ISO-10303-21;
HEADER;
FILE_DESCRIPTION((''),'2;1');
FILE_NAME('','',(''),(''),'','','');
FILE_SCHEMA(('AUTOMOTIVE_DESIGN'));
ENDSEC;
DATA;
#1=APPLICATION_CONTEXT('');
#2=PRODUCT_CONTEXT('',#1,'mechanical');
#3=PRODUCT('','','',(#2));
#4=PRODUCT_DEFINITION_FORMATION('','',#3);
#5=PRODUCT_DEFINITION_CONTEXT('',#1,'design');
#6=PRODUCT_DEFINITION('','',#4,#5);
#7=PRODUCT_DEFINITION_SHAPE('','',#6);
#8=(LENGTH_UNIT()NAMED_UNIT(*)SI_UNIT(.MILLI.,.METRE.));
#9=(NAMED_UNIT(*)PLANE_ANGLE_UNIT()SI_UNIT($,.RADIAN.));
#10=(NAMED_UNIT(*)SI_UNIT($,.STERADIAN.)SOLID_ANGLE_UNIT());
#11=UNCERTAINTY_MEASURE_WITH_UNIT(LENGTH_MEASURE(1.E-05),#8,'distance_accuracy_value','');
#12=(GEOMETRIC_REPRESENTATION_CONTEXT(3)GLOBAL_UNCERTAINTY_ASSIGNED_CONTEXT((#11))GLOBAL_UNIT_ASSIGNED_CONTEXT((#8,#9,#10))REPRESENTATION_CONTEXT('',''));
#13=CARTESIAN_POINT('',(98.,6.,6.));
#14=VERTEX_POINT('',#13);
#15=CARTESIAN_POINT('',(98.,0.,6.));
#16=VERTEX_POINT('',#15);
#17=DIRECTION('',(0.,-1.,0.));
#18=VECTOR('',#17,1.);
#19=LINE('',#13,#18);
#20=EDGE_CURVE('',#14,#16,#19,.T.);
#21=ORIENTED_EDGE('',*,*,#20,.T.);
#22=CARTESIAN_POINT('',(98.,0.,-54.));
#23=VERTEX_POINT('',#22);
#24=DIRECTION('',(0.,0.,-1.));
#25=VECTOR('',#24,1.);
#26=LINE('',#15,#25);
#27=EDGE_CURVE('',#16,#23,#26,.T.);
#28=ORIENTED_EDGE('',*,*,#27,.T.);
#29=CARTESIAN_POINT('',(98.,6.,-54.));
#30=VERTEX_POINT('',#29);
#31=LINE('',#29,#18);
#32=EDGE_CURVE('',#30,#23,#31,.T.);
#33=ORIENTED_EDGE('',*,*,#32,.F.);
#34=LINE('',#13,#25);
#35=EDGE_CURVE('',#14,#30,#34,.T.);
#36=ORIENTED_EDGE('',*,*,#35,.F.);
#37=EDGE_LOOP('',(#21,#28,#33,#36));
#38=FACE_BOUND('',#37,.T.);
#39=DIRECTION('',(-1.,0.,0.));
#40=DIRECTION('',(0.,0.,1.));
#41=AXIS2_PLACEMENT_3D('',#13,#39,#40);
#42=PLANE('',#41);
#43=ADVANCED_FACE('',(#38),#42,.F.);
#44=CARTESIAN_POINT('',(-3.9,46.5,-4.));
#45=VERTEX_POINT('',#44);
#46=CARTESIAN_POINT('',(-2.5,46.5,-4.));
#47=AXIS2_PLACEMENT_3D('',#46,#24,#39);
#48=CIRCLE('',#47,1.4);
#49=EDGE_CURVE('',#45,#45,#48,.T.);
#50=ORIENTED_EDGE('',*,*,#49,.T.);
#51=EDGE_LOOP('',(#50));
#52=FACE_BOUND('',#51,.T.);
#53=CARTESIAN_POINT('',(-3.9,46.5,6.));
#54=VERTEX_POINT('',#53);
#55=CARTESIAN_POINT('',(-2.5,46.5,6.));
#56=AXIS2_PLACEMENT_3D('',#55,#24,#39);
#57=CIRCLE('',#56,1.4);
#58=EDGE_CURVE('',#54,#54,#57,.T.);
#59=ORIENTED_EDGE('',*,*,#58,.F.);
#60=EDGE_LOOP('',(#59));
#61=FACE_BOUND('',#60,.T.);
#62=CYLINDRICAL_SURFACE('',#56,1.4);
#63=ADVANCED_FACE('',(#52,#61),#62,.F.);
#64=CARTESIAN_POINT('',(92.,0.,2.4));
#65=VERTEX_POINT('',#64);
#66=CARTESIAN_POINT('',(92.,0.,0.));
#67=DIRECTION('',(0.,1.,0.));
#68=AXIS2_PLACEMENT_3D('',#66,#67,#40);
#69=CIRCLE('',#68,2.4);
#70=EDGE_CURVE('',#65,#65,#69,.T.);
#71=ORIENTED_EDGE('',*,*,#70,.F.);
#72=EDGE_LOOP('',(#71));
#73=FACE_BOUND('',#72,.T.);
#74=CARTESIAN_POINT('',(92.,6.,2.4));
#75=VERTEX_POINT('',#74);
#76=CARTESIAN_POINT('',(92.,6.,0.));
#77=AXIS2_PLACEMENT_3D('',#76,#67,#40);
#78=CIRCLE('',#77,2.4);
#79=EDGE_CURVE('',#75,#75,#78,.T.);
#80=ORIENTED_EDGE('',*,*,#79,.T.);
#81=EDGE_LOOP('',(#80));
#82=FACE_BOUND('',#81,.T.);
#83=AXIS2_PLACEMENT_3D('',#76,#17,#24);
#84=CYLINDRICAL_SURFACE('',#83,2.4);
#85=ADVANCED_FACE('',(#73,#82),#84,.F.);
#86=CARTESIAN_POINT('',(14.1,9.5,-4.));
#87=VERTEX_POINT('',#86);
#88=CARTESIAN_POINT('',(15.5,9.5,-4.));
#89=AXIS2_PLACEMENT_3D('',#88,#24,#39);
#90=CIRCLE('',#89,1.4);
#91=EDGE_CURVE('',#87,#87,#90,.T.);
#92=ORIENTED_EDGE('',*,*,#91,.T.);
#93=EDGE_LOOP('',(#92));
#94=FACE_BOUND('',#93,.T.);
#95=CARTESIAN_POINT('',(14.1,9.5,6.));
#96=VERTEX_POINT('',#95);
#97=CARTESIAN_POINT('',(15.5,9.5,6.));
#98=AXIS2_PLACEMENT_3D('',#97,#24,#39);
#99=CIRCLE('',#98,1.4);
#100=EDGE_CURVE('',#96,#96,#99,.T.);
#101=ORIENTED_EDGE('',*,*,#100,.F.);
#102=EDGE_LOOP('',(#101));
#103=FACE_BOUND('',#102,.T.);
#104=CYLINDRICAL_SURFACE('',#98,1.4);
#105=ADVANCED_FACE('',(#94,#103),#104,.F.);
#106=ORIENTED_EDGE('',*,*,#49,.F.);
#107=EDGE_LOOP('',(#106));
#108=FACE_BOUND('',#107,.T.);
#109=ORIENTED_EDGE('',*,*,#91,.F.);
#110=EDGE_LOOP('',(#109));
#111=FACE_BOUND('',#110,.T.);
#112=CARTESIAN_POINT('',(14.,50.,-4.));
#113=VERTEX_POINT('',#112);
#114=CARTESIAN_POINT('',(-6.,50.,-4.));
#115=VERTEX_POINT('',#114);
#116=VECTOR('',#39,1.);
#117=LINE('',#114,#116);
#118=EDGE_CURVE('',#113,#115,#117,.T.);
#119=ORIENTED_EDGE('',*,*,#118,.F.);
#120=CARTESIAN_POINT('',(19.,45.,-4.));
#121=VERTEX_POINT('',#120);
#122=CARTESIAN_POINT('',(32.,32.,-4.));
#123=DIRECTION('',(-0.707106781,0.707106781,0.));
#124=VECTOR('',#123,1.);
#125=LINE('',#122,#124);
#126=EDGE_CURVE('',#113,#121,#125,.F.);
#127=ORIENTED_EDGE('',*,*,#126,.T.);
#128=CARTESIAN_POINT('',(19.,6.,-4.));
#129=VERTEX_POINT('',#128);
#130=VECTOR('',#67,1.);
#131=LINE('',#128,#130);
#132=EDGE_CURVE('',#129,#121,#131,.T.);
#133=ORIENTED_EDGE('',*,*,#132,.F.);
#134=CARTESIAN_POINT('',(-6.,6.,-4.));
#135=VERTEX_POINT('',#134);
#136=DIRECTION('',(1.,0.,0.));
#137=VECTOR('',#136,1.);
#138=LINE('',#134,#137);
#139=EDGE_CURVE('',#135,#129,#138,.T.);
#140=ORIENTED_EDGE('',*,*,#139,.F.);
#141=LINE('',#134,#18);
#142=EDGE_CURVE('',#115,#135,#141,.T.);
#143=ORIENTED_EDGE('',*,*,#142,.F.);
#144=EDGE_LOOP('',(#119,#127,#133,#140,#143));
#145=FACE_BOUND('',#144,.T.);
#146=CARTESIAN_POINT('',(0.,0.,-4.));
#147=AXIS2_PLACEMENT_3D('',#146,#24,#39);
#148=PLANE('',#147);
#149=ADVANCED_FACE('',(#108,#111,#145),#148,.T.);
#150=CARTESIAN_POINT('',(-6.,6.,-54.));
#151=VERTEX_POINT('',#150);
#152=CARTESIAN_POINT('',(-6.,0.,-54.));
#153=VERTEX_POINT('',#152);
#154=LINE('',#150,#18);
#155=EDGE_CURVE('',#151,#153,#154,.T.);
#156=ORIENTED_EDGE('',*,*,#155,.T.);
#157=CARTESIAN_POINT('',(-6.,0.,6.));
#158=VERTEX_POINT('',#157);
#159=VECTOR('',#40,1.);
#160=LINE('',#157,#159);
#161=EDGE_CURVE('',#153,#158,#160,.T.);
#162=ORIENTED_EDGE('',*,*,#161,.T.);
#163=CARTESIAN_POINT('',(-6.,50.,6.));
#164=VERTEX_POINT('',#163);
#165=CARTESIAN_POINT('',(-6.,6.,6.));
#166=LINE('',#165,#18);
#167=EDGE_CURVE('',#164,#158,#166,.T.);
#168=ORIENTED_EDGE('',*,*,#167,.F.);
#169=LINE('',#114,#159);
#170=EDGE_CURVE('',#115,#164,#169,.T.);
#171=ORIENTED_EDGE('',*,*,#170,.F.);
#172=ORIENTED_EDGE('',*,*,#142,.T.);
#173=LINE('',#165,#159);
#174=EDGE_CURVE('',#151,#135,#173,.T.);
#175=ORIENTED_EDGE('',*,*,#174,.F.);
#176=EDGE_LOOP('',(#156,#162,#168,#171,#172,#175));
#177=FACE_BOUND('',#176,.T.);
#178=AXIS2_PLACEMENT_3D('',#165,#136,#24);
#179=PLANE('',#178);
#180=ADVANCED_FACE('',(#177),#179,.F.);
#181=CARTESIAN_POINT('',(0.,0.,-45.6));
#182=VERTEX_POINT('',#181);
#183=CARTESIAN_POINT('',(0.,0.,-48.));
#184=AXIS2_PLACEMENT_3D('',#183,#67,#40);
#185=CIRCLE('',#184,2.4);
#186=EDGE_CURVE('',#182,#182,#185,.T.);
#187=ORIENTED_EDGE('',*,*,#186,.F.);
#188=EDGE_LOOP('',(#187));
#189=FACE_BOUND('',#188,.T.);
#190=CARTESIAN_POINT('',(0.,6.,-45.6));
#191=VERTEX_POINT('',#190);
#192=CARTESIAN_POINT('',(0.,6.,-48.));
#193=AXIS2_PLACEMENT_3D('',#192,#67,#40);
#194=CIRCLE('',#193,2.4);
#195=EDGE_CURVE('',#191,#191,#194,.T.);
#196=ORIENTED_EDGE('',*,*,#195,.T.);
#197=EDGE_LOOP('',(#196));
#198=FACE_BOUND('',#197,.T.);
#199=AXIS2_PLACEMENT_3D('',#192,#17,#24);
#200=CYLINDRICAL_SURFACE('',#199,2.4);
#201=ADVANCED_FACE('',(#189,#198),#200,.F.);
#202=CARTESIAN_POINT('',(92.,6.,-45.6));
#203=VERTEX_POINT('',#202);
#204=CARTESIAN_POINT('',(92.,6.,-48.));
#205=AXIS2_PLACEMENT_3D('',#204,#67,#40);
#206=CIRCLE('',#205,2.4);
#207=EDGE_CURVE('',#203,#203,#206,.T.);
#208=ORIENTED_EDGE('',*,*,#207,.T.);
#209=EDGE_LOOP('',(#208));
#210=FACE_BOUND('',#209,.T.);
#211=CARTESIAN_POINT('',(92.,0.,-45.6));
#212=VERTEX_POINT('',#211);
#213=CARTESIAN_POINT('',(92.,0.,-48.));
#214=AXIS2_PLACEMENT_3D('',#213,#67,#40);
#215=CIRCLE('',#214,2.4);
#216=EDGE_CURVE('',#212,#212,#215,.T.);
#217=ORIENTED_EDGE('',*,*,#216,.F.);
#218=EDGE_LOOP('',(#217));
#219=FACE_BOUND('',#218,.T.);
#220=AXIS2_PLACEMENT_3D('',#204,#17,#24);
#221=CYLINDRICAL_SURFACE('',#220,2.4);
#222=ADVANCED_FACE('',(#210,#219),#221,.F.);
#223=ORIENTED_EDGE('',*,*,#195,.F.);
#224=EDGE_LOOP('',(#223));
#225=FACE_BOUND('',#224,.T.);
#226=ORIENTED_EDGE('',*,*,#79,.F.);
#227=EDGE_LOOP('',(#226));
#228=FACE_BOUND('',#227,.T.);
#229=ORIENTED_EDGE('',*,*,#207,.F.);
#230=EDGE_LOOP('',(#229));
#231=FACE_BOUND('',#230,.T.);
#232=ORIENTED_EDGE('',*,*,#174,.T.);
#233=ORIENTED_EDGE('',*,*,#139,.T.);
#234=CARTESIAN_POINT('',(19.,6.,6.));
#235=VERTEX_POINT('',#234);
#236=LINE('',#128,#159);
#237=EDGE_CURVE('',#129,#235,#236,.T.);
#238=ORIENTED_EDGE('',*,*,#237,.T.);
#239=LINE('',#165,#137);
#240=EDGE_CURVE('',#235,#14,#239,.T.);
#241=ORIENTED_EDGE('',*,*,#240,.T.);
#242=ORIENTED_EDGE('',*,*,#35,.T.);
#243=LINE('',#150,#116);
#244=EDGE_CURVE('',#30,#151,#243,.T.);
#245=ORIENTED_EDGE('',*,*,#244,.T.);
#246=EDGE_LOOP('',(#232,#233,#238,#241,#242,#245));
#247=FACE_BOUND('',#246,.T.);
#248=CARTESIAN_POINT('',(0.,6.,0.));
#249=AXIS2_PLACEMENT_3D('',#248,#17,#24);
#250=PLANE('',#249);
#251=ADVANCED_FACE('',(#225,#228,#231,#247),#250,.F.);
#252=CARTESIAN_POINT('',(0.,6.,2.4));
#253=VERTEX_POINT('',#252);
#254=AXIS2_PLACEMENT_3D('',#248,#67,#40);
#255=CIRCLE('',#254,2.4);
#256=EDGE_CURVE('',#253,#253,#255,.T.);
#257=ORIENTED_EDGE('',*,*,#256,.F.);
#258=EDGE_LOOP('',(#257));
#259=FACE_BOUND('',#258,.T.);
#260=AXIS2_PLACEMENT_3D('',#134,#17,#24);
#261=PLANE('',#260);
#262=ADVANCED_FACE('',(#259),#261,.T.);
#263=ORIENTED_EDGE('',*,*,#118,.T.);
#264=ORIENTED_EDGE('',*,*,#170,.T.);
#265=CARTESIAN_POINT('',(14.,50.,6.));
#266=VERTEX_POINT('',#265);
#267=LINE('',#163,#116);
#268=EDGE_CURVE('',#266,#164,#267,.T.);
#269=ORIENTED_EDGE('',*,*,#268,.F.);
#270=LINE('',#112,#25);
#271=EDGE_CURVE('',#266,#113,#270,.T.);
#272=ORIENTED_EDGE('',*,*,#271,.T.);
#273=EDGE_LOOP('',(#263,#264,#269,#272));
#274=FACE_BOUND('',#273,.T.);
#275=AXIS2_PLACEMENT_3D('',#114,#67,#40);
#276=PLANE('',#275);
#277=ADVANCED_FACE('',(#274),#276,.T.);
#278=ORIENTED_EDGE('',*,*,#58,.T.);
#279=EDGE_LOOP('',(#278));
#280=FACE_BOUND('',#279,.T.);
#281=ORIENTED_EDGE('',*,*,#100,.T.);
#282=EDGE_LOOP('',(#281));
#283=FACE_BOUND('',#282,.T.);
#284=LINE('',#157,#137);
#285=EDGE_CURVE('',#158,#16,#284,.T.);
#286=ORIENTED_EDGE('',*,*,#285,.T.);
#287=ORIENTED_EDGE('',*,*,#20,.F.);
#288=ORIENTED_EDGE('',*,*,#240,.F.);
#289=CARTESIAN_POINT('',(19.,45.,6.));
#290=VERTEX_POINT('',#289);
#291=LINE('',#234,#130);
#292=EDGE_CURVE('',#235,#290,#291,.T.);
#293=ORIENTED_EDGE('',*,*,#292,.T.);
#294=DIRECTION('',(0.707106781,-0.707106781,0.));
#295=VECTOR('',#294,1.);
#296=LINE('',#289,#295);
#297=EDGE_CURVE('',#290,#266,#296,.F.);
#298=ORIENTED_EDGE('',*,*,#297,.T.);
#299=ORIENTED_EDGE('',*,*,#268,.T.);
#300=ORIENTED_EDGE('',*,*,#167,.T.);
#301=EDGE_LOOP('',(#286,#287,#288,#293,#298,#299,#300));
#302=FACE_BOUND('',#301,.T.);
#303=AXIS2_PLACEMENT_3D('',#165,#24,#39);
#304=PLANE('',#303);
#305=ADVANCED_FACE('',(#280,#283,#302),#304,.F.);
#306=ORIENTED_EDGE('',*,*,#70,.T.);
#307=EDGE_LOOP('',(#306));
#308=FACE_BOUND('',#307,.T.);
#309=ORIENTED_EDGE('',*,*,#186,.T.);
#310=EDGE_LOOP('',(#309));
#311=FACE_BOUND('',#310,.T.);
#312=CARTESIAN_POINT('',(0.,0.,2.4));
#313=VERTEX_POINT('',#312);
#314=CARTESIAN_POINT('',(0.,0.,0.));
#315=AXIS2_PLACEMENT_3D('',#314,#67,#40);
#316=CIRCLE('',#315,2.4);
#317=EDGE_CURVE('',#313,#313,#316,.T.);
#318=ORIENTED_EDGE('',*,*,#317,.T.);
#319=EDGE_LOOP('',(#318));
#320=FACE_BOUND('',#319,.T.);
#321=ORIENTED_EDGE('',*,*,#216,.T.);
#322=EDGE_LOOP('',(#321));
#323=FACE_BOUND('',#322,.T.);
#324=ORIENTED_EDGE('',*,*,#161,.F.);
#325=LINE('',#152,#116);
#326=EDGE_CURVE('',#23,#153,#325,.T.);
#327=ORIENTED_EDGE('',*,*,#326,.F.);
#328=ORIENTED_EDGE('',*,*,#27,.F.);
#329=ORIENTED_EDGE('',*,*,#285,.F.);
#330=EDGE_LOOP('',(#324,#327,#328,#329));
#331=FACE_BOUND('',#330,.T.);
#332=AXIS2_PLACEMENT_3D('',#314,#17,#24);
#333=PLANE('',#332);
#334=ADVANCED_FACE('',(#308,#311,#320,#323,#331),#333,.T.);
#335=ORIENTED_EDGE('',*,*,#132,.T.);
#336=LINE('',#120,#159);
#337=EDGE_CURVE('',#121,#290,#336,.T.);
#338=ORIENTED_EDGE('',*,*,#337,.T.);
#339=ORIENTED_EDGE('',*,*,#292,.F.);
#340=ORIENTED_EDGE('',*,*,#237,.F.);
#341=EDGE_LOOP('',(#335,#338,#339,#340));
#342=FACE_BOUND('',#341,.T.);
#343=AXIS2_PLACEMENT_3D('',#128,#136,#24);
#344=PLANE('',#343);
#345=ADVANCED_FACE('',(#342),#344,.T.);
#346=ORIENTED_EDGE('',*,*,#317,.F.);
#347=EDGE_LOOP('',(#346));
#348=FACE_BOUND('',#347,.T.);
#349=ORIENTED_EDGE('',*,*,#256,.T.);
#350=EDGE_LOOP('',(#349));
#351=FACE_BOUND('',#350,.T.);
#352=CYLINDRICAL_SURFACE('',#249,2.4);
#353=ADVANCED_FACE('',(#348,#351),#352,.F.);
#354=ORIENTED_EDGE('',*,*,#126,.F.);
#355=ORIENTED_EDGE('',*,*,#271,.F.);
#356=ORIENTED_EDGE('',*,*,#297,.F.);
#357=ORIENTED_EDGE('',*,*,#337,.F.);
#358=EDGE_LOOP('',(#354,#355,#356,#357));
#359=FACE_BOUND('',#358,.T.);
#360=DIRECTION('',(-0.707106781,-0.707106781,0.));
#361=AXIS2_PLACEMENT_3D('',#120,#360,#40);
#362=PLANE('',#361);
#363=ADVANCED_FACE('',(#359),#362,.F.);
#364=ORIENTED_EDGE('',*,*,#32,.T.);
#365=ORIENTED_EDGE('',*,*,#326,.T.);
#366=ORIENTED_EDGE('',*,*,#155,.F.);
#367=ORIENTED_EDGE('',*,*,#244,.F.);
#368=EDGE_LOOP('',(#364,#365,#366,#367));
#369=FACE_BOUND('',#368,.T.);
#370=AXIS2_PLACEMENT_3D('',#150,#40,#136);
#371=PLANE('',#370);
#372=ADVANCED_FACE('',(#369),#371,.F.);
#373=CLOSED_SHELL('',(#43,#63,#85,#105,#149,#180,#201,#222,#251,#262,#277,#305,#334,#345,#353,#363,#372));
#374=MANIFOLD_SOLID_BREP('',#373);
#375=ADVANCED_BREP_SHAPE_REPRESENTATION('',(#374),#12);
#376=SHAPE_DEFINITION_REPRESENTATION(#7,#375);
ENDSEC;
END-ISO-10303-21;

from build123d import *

# Parameters (mm, degrees)
SKETCH1_W           = 104
SKETCH1_H           = 60
SKETCH1_R           = 2.4
BOSS_EXTRUDE1_DEPTH = 6
SKETCH2_W           = 25
SKETCH2_H           = 44
BOSS_EXTRUDE2_DEPTH = 10
SKETCH3_R           = 1.4
CUT_EXTRUDE1_DEPTH  = 11
CHAMFER1_SIZE       = 5


with BuildPart() as part:
    # Sketch1 → Boss-Extrude1 (new body)
    with BuildSketch(Plane(origin=(0, 0, 0), x_dir=(1, 0, 0), z_dir=(0, 1, 0))):
        with Locations((46, 24)):
            Rectangle(SKETCH1_W, SKETCH1_H)
        with Locations((0, 48)):
            Circle(SKETCH1_R, mode=Mode.SUBTRACT)
        with Locations((92, 48)):
            Circle(SKETCH1_R, mode=Mode.SUBTRACT)
        with Locations((92, 0)):
            Circle(SKETCH1_R, mode=Mode.SUBTRACT)
        Circle(SKETCH1_R, mode=Mode.SUBTRACT)
    extrude(amount=BOSS_EXTRUDE1_DEPTH)

    # Sketch2 → Boss-Extrude2 (add)
    with BuildSketch(Plane.XY.offset(6)):
        with Locations((6.5, 28)):
            Rectangle(SKETCH2_W, SKETCH2_H)
    extrude(amount=-BOSS_EXTRUDE2_DEPTH)

    # Sketch3 → Cut-Extrude1 (cut, through all)
    with BuildSketch(Plane(origin=(0, 0, -4), x_dir=(-1, 0, 0), z_dir=(0, 0, -1))):
        with Locations((-15.5, 9.5)):
            Circle(SKETCH3_R)
        with Locations((2.5, 46.5)):
            Circle(SKETCH3_R)
    extrude(amount=-CUT_EXTRUDE1_DEPTH, mode=Mode.SUBTRACT)

    # Chamfer1
    chamfer1_edges = [part.edges().sort_by_distance(p)[0] for p in [
        (19, 50, 1),
    ]]
    chamfer(chamfer1_edges, length=CHAMFER1_SIZE)


solid = part.part
